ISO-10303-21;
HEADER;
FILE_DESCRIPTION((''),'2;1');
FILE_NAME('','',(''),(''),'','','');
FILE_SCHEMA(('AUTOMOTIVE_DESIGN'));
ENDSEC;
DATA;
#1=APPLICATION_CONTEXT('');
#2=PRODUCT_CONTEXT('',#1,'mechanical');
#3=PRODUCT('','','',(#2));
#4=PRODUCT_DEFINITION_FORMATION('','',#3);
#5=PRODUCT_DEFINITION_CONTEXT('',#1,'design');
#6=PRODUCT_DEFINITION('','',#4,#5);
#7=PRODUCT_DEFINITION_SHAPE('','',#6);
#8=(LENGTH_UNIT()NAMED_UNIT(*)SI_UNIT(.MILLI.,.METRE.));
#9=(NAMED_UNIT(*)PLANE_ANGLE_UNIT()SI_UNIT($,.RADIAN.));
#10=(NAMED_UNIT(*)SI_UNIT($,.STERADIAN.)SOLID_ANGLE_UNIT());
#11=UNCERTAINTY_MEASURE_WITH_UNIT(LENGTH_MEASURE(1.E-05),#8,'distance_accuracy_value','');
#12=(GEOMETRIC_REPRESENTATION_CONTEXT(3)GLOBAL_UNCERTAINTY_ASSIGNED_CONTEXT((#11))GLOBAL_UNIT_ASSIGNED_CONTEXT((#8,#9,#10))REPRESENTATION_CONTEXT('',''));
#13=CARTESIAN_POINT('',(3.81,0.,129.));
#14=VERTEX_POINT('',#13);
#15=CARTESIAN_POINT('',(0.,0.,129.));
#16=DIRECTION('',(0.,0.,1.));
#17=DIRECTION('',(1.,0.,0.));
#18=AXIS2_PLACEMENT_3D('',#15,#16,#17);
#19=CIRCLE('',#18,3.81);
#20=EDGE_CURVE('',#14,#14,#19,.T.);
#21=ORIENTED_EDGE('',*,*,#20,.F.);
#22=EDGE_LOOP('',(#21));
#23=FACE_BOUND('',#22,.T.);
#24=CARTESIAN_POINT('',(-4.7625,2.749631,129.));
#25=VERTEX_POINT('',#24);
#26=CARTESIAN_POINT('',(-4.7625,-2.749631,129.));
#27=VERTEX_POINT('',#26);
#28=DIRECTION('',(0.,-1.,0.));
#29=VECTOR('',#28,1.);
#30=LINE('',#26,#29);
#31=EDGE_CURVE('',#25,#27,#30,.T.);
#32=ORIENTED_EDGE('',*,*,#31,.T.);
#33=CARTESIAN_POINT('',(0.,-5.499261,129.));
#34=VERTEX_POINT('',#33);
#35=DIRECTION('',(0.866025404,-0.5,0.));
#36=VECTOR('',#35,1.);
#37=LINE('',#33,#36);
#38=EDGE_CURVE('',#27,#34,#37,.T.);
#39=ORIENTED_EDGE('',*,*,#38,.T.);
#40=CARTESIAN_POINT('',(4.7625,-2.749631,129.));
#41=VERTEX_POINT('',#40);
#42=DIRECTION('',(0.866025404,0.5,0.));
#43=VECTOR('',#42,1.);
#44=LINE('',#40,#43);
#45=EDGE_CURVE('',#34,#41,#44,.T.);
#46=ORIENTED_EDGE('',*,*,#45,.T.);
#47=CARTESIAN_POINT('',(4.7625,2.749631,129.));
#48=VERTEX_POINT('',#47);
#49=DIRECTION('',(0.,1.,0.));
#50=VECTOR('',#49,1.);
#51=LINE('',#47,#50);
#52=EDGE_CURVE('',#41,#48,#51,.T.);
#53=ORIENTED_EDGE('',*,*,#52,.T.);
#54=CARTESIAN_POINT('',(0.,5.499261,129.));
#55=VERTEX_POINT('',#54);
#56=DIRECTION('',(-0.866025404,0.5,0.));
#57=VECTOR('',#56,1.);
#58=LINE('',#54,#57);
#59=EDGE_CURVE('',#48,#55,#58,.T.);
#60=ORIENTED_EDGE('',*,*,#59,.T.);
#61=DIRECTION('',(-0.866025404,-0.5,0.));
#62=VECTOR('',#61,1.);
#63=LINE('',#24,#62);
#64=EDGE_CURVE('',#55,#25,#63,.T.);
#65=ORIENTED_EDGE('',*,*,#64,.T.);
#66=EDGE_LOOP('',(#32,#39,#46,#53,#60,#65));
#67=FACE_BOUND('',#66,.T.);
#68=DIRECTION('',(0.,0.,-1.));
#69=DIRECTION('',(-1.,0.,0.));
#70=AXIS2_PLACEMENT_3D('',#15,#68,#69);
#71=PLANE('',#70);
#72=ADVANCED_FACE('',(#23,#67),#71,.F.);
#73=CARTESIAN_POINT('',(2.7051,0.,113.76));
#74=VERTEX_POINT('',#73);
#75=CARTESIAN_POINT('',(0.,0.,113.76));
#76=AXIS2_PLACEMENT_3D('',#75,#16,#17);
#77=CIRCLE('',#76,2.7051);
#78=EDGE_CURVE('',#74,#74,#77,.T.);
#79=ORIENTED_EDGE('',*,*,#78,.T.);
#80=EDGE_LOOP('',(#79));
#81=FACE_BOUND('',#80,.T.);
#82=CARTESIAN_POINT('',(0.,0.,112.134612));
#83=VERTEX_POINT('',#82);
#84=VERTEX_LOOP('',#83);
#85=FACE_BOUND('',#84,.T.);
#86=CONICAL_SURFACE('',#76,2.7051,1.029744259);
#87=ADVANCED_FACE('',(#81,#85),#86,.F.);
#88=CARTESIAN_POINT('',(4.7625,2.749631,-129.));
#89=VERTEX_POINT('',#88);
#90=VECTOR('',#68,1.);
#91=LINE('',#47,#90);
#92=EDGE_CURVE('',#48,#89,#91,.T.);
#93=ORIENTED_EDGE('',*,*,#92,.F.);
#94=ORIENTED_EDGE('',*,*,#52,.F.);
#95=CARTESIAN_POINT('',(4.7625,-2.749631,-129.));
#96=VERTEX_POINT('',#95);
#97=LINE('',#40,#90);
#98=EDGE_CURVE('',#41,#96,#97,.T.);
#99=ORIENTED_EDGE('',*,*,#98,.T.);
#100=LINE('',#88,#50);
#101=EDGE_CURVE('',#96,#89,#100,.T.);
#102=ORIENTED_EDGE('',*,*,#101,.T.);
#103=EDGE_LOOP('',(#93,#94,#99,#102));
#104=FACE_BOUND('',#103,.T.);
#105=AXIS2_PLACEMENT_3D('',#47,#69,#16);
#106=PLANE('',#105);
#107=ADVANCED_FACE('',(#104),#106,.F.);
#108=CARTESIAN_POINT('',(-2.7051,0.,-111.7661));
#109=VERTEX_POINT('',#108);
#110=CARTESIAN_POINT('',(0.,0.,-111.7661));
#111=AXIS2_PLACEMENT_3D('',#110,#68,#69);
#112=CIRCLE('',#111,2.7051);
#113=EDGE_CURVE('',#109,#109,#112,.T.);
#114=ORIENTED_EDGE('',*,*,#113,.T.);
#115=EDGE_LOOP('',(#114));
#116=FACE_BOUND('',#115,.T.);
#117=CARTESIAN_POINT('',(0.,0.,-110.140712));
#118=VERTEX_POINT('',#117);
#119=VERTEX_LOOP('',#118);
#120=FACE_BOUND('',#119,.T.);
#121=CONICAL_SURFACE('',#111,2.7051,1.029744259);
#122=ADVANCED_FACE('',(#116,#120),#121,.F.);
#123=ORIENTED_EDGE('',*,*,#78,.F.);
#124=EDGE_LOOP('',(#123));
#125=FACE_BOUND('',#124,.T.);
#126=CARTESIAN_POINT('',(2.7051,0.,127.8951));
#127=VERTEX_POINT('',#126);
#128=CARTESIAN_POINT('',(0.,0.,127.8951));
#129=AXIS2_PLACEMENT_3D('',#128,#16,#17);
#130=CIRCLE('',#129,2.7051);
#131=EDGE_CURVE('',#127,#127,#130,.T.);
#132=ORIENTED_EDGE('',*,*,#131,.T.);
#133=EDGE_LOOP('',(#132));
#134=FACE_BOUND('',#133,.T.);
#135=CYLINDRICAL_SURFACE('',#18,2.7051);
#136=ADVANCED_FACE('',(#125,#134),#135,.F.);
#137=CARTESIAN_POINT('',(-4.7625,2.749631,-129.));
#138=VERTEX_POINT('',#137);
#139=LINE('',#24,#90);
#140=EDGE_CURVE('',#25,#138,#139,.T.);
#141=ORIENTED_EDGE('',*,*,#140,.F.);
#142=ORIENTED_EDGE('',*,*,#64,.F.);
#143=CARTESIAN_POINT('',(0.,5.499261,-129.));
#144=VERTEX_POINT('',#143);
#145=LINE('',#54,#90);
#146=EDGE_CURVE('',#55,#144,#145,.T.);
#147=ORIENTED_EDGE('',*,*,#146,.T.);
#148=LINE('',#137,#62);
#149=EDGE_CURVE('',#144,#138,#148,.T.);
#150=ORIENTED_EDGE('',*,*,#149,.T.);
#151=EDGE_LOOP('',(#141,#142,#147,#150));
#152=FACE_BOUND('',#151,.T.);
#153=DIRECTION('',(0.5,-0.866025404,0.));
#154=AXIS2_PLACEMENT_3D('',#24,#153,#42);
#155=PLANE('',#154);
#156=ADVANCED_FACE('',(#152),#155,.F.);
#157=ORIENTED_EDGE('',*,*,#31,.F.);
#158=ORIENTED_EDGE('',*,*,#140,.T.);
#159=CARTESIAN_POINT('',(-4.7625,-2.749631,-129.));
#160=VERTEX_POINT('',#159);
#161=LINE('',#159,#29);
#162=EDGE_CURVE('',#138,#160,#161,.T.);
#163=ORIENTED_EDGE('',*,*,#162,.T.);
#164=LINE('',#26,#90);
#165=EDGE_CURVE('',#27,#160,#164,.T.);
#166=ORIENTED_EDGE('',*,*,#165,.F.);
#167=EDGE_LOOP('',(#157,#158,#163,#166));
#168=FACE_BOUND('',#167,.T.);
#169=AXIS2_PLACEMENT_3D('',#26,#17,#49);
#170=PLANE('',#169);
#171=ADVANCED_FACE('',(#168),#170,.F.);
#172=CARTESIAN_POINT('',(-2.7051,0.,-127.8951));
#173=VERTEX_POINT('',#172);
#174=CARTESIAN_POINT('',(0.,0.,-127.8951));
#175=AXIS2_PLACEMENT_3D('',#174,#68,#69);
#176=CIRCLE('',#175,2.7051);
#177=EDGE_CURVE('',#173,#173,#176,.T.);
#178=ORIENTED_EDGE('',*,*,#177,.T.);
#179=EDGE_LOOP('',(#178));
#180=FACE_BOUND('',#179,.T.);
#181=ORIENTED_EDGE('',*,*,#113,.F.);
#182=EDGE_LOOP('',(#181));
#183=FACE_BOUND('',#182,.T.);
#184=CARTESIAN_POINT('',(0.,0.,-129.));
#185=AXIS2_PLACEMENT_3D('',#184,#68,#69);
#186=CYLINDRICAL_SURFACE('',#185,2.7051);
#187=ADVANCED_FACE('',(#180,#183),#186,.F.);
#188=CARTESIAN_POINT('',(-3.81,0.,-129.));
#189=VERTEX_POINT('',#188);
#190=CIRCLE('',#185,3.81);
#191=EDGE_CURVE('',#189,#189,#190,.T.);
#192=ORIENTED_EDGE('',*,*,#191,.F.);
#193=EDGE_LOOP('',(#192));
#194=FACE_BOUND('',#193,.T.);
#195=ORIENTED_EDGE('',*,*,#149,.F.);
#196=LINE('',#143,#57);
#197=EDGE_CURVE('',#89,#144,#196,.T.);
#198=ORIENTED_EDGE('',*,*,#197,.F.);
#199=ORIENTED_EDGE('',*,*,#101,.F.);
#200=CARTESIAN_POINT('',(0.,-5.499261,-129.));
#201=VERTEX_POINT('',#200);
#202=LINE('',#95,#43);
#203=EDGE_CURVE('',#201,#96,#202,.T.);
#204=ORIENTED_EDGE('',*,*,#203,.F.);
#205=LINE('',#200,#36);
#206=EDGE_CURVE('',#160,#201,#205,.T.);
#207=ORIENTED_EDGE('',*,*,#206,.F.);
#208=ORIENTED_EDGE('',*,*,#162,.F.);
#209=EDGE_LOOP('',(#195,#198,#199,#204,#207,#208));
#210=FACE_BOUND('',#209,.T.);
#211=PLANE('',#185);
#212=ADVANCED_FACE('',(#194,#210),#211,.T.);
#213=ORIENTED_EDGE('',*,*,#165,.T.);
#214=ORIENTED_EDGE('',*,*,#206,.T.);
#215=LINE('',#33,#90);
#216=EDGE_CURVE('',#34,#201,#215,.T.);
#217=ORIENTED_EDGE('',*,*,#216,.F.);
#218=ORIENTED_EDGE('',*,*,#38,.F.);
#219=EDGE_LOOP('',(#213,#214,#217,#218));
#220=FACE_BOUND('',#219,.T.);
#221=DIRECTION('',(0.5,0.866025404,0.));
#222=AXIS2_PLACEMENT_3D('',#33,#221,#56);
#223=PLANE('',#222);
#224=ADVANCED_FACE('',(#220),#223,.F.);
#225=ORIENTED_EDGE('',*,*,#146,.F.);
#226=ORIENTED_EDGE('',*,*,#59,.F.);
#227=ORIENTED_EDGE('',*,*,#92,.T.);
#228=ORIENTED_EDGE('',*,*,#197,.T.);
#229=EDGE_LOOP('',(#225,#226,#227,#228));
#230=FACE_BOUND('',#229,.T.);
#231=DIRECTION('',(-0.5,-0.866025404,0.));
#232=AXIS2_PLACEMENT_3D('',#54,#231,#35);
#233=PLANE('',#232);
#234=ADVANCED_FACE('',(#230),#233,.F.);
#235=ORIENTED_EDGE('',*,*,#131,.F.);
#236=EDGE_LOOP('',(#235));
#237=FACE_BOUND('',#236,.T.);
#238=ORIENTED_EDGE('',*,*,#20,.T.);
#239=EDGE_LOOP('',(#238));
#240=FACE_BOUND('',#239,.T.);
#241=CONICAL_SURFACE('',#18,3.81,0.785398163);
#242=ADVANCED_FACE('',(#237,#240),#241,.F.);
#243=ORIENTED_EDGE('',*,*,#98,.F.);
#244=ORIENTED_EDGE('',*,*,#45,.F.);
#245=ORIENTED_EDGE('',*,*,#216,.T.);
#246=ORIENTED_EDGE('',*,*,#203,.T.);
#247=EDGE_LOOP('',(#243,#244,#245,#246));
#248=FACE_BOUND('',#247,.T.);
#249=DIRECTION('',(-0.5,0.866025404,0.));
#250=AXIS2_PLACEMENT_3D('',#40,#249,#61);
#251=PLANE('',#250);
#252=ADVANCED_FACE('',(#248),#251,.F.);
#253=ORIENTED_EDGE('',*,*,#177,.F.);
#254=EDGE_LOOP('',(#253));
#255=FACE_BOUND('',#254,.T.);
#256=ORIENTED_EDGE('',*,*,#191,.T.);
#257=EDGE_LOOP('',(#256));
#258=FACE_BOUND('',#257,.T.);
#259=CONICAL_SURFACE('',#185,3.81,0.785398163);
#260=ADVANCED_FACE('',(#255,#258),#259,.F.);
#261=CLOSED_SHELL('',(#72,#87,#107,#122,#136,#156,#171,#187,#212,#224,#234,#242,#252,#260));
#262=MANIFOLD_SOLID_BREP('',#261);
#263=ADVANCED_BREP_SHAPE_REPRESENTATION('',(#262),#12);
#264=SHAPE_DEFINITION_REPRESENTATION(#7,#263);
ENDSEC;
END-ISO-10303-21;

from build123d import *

# Parameters (mm, degrees)
BOSS_EXTRUDE1_DEPTH               = 129
F_1_4_28_TAPPED_HOLE1_D           = 5.4102
F_1_4_28_TAPPED_HOLE1_DEPTH       = 15.24
F_1_4_28_TAPPED_HOLE1_CSINK_D     = 7.62
F_1_4_28_TAPPED_HOLE1_CSINK_ANGLE = 90
F_1_4_28_TAPPED_HOLE1_TIP         = 1.625388061
F_1_4_28_TAPPED_HOLE2_D           = 5.4102
F_1_4_28_TAPPED_HOLE2_DEPTH       = 17.2339
F_1_4_28_TAPPED_HOLE2_CSINK_D     = 7.62
F_1_4_28_TAPPED_HOLE2_CSINK_ANGLE = 90
F_1_4_28_TAPPED_HOLE2_TIP         = 1.625388061


with BuildPart() as part:
    # Sketch3 → Boss-Extrude1 (new, symmetric)
    with BuildSketch(Plane.XY):
        Polygon((0, 5.499261314), (4.7625, 2.749630657), (4.7625, -2.749630657), (0, -5.499261314), (-4.7625, -2.749630657), (-4.7625, 2.749630657), align=None)
    extrude(amount=BOSS_EXTRUDE1_DEPTH, both=True)

    # 1/4-28 Tapped Hole1
    with Locations(Plane.XY.offset(129)):
        with Locations((0, 0)):
            CounterSinkHole(F_1_4_28_TAPPED_HOLE1_D / 2, F_1_4_28_TAPPED_HOLE1_CSINK_D / 2, depth=F_1_4_28_TAPPED_HOLE1_DEPTH, counter_sink_angle=F_1_4_28_TAPPED_HOLE1_CSINK_ANGLE)
            with Locations((0, 0, -(F_1_4_28_TAPPED_HOLE1_DEPTH + F_1_4_28_TAPPED_HOLE1_TIP / 2))):  # 118° drill point
                Cone(0, F_1_4_28_TAPPED_HOLE1_D / 2, F_1_4_28_TAPPED_HOLE1_TIP, mode=Mode.SUBTRACT)

    # 1/4-28 Tapped Hole2
    with Locations(Plane(origin=(0, 0, -129), x_dir=(-1, 0, 0), z_dir=(0, 0, -1))):
        with Locations((0, 0)):
            CounterSinkHole(F_1_4_28_TAPPED_HOLE2_D / 2, F_1_4_28_TAPPED_HOLE2_CSINK_D / 2, depth=F_1_4_28_TAPPED_HOLE2_DEPTH, counter_sink_angle=F_1_4_28_TAPPED_HOLE2_CSINK_ANGLE)
            with Locations((0, 0, -(F_1_4_28_TAPPED_HOLE2_DEPTH + F_1_4_28_TAPPED_HOLE2_TIP / 2))):  # 118° drill point
                Cone(0, F_1_4_28_TAPPED_HOLE2_D / 2, F_1_4_28_TAPPED_HOLE2_TIP, mode=Mode.SUBTRACT)


solid = part.part
